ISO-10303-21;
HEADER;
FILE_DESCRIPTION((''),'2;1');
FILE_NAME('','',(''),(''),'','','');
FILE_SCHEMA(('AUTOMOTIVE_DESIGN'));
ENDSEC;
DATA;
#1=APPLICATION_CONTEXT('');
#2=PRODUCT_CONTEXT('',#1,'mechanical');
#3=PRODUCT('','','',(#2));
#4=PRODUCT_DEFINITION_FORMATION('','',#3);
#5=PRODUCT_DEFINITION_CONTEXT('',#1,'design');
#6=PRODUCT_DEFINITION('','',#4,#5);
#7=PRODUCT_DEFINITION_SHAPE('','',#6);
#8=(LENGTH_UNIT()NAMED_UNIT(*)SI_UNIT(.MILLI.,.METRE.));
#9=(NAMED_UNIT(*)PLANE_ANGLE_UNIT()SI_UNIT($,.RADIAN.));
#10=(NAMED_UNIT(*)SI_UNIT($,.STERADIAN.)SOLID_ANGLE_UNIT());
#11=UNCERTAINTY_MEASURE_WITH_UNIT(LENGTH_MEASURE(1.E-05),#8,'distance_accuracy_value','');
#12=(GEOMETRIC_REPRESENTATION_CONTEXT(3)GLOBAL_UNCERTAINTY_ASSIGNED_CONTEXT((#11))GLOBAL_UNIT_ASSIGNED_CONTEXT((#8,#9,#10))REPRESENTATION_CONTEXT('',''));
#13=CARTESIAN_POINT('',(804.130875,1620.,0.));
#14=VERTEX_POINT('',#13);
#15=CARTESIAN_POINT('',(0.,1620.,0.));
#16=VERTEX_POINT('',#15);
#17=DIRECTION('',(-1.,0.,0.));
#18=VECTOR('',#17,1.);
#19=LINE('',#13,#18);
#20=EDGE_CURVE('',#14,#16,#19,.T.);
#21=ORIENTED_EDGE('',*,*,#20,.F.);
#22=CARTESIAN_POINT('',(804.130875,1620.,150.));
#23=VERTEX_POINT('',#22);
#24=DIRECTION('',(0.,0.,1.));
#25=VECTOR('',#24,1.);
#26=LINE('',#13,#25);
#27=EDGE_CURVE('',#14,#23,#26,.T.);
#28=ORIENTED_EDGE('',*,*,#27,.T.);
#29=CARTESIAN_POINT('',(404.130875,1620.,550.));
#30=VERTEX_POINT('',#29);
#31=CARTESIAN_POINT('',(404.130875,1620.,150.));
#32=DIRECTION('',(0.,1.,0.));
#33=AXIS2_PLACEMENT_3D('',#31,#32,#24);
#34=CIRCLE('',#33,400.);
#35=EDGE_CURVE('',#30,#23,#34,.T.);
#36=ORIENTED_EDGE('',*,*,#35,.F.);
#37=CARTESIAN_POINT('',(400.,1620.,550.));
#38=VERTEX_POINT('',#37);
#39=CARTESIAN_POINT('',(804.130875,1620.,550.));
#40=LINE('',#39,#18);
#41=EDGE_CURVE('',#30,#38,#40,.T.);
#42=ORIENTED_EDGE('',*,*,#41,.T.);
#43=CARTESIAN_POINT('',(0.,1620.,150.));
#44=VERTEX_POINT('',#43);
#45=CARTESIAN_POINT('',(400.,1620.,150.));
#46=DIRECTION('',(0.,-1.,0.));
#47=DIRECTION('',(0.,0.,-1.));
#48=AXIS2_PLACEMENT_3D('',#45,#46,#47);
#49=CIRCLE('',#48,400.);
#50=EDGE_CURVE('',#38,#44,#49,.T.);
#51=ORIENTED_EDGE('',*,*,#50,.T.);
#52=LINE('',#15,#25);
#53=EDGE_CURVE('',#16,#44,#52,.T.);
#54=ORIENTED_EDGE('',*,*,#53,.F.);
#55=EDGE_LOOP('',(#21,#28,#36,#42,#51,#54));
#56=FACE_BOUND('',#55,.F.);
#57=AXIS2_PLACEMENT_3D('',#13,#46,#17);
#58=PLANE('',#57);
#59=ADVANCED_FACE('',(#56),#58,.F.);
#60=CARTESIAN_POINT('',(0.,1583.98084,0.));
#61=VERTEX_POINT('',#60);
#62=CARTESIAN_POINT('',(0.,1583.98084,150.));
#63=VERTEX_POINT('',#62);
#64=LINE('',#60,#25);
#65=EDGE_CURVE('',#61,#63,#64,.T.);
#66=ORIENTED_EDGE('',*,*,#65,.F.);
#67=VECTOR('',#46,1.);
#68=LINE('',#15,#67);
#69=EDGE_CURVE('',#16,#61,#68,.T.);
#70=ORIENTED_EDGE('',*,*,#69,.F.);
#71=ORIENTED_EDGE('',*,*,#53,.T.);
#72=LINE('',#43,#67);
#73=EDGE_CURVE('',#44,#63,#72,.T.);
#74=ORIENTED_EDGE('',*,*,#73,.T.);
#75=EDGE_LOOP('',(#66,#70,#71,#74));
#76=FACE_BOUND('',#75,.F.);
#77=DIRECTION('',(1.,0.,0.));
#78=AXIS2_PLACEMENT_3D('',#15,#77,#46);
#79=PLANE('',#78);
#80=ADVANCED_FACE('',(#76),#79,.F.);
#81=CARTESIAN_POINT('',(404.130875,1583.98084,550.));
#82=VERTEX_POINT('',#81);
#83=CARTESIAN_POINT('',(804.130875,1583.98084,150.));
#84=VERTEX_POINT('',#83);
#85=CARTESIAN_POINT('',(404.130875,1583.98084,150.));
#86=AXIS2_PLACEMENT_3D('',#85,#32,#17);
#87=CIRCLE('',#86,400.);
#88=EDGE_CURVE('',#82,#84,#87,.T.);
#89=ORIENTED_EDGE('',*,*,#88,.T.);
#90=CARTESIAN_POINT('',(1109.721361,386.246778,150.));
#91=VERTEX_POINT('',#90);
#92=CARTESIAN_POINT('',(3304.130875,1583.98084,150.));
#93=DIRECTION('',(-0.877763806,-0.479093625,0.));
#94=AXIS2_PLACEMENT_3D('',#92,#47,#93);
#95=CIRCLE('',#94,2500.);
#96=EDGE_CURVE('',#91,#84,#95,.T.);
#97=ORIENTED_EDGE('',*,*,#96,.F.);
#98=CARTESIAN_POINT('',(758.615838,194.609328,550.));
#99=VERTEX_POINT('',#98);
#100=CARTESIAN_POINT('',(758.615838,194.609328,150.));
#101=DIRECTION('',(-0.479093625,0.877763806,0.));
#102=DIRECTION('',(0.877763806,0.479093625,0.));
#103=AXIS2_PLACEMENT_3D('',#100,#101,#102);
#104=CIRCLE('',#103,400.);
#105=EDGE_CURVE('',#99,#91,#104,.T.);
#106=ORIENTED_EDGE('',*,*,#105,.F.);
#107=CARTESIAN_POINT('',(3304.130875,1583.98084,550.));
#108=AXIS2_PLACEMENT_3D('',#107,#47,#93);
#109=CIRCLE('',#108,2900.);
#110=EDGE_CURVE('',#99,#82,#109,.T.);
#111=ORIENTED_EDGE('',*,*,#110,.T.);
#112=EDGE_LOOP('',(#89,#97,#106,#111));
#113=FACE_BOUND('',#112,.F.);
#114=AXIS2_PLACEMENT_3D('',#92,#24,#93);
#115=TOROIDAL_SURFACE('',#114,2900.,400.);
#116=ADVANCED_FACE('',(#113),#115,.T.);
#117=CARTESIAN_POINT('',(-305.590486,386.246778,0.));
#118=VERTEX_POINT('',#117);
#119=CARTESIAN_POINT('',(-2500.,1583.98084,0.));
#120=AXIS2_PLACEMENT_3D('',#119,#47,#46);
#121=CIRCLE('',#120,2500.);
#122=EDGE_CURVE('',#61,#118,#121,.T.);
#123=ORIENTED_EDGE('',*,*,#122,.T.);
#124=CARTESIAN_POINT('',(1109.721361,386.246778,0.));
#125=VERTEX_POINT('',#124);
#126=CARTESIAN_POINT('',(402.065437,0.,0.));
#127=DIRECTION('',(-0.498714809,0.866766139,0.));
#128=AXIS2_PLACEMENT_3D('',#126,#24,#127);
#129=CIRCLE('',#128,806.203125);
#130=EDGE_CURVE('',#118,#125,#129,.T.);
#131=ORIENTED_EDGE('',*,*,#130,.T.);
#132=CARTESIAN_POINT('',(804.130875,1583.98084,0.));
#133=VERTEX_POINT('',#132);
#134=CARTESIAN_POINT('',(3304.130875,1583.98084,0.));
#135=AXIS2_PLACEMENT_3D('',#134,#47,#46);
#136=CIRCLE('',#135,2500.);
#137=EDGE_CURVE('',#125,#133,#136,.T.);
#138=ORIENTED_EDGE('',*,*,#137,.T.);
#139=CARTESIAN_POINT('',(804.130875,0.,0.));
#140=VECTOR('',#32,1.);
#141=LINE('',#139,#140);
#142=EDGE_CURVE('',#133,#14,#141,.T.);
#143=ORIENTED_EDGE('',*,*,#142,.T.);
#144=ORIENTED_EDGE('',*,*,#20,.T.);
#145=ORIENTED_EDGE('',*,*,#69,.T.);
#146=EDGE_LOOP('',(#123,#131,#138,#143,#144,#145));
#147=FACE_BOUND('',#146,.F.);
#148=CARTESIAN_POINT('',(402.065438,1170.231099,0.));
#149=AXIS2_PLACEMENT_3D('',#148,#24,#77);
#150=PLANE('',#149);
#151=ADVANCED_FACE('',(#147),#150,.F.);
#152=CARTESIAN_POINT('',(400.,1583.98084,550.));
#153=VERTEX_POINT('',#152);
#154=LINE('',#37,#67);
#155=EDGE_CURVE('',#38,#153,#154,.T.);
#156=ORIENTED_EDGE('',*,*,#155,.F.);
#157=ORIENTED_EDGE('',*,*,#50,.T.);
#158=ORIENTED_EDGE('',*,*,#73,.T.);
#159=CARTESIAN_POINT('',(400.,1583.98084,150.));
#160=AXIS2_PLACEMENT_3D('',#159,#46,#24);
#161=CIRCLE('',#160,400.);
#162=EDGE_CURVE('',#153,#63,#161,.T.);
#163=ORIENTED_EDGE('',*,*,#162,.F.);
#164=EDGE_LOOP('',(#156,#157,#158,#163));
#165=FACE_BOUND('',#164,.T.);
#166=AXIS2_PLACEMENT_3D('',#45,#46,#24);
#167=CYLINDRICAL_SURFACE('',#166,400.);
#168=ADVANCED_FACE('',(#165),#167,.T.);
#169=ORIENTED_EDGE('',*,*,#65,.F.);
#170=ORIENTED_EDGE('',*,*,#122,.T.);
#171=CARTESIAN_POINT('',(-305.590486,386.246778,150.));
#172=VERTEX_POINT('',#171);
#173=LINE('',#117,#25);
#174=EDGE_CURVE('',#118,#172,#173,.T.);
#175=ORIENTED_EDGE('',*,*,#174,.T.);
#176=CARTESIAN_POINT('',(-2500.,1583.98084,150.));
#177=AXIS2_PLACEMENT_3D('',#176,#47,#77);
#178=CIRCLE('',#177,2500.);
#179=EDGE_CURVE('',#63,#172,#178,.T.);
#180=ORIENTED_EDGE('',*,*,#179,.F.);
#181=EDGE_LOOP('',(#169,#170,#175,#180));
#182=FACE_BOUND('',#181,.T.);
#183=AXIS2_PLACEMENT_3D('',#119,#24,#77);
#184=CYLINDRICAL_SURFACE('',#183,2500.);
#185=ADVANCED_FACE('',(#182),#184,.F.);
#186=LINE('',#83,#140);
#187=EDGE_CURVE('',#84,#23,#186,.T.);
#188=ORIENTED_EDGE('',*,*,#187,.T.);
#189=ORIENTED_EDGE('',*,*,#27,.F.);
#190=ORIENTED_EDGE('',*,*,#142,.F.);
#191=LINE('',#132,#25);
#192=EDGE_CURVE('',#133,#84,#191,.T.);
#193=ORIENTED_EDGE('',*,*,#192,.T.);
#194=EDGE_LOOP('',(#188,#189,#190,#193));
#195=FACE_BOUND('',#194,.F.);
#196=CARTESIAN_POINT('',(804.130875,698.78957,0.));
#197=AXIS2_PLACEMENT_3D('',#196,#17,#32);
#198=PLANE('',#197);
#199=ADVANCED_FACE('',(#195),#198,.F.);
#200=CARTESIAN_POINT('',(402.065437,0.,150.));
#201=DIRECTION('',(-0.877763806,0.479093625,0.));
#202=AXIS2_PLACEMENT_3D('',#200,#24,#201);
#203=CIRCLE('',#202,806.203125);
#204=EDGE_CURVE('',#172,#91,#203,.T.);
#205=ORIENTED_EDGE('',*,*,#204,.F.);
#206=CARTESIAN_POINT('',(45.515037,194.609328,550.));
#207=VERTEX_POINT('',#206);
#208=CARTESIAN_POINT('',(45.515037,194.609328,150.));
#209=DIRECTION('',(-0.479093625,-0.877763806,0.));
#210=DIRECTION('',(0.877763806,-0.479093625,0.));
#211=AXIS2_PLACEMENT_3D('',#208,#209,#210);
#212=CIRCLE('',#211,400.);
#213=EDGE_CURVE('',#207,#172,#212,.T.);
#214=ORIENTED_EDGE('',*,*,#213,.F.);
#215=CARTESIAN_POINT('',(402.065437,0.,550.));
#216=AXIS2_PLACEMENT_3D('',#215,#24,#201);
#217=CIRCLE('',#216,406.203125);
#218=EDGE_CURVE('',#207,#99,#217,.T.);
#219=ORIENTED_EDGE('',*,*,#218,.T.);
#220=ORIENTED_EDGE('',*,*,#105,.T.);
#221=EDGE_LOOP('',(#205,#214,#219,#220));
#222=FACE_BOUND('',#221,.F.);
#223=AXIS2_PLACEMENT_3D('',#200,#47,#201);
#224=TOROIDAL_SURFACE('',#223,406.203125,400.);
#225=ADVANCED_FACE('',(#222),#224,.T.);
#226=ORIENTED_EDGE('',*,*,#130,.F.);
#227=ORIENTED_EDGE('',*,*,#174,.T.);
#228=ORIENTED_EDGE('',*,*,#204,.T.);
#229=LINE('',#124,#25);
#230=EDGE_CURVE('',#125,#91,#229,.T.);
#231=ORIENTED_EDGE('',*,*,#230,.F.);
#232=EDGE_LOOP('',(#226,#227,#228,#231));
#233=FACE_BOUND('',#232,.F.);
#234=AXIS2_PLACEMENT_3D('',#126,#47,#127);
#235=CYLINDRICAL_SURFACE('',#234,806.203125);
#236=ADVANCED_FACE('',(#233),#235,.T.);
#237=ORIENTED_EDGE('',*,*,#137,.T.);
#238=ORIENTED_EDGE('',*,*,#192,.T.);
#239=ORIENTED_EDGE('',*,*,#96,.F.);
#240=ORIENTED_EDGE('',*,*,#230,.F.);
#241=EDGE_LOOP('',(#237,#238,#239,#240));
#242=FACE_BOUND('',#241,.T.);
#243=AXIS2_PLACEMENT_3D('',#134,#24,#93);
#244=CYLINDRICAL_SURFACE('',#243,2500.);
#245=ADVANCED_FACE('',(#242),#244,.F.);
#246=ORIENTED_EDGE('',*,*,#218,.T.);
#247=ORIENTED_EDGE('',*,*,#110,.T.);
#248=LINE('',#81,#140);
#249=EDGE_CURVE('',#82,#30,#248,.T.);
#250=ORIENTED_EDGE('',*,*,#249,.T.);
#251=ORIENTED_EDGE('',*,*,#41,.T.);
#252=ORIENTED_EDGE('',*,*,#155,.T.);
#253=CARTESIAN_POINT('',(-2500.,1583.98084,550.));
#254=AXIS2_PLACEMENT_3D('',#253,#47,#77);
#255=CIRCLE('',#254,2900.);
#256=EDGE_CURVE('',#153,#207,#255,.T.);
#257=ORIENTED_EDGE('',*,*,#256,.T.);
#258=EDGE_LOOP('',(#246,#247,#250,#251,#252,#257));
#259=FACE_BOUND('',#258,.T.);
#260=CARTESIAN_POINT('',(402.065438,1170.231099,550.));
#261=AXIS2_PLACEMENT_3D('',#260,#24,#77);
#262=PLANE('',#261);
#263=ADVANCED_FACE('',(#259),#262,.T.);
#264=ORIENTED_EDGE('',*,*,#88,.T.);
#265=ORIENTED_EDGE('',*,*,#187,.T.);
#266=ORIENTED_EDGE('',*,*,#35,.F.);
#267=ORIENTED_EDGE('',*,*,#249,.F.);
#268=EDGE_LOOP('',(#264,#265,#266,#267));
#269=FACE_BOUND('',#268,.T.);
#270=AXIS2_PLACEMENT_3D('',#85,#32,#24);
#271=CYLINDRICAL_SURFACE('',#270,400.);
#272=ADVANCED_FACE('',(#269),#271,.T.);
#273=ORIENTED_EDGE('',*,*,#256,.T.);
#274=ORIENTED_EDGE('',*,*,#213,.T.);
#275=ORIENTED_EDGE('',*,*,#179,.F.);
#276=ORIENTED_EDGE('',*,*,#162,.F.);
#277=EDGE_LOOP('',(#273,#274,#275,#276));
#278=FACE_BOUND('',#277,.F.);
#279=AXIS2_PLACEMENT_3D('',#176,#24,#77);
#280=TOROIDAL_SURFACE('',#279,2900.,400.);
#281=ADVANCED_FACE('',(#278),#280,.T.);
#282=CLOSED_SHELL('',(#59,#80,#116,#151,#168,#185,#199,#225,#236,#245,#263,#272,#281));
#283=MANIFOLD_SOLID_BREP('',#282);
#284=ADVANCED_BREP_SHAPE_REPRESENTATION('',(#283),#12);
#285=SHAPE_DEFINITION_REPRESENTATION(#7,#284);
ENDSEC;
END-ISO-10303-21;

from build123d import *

# Parameters (mm, degrees)
F1_DEPTH = 550
F2_R     = 2500
F3_R     = 400


with BuildPart() as f1:
    # F0 (on Top) → F1 (new body)
    with BuildSketch(Plane.XY):
        with BuildLine():
            Line((0, 1620), (0, 698.7895697045))
            ThreePointArc((0, 698.7895697044), (402.0654375, 806.203125), (804.130875, 698.7895697044))
            Line((804.130875, 698.7895697044), (804.130875, 1620))
            Line((804.130875, 1620), (0, 1620))
        make_face()
        with BuildLine():
            Line((0, 698.7895697045), (0, 0))
            Line((0, 0), (804.130875, 0))
            Line((804.130875, 0), (804.130875, 698.7895697044))
            ThreePointArc((804.130875, 698.7895697044), (402.0654375, 806.203125), (0, 698.7895697044))
        make_face()
        with BuildLine():
            Line((804.130875, 0), (0, 0))
            Line((0, 0), (0, 698.7895697045))
            ThreePointArc((0, 698.7895697044), (-1.5538550225, -697.8932192416), (1208.2685625, 0))
            ThreePointArc((1208.2685625, 0), (1099.9586567416, 403.6192925225), (804.130875, 698.7895697044))
            Line((804.130875, 698.7895697044), (804.130875, 0))
        make_face()
    extrude(amount=F1_DEPTH)

    # F2
    f2_edges = [f1.edges().sort_by_distance(p)[0] for p in [
        (0, 698.78957, 275),
        (804.130875, 698.78957, 275),
    ]]
    fillet(f2_edges, radius=F2_R)

    # F3
    f3_edges = [f1.edges().sort_by_distance(p)[0] for p in [
        (881.732912, 965.928975, 550),
        (402.065437, -806.203125, 550),
        (-77.602037, 965.928975, 550),
    ]]
    fillet(f3_edges, radius=F3_R)


solid = f1.part
